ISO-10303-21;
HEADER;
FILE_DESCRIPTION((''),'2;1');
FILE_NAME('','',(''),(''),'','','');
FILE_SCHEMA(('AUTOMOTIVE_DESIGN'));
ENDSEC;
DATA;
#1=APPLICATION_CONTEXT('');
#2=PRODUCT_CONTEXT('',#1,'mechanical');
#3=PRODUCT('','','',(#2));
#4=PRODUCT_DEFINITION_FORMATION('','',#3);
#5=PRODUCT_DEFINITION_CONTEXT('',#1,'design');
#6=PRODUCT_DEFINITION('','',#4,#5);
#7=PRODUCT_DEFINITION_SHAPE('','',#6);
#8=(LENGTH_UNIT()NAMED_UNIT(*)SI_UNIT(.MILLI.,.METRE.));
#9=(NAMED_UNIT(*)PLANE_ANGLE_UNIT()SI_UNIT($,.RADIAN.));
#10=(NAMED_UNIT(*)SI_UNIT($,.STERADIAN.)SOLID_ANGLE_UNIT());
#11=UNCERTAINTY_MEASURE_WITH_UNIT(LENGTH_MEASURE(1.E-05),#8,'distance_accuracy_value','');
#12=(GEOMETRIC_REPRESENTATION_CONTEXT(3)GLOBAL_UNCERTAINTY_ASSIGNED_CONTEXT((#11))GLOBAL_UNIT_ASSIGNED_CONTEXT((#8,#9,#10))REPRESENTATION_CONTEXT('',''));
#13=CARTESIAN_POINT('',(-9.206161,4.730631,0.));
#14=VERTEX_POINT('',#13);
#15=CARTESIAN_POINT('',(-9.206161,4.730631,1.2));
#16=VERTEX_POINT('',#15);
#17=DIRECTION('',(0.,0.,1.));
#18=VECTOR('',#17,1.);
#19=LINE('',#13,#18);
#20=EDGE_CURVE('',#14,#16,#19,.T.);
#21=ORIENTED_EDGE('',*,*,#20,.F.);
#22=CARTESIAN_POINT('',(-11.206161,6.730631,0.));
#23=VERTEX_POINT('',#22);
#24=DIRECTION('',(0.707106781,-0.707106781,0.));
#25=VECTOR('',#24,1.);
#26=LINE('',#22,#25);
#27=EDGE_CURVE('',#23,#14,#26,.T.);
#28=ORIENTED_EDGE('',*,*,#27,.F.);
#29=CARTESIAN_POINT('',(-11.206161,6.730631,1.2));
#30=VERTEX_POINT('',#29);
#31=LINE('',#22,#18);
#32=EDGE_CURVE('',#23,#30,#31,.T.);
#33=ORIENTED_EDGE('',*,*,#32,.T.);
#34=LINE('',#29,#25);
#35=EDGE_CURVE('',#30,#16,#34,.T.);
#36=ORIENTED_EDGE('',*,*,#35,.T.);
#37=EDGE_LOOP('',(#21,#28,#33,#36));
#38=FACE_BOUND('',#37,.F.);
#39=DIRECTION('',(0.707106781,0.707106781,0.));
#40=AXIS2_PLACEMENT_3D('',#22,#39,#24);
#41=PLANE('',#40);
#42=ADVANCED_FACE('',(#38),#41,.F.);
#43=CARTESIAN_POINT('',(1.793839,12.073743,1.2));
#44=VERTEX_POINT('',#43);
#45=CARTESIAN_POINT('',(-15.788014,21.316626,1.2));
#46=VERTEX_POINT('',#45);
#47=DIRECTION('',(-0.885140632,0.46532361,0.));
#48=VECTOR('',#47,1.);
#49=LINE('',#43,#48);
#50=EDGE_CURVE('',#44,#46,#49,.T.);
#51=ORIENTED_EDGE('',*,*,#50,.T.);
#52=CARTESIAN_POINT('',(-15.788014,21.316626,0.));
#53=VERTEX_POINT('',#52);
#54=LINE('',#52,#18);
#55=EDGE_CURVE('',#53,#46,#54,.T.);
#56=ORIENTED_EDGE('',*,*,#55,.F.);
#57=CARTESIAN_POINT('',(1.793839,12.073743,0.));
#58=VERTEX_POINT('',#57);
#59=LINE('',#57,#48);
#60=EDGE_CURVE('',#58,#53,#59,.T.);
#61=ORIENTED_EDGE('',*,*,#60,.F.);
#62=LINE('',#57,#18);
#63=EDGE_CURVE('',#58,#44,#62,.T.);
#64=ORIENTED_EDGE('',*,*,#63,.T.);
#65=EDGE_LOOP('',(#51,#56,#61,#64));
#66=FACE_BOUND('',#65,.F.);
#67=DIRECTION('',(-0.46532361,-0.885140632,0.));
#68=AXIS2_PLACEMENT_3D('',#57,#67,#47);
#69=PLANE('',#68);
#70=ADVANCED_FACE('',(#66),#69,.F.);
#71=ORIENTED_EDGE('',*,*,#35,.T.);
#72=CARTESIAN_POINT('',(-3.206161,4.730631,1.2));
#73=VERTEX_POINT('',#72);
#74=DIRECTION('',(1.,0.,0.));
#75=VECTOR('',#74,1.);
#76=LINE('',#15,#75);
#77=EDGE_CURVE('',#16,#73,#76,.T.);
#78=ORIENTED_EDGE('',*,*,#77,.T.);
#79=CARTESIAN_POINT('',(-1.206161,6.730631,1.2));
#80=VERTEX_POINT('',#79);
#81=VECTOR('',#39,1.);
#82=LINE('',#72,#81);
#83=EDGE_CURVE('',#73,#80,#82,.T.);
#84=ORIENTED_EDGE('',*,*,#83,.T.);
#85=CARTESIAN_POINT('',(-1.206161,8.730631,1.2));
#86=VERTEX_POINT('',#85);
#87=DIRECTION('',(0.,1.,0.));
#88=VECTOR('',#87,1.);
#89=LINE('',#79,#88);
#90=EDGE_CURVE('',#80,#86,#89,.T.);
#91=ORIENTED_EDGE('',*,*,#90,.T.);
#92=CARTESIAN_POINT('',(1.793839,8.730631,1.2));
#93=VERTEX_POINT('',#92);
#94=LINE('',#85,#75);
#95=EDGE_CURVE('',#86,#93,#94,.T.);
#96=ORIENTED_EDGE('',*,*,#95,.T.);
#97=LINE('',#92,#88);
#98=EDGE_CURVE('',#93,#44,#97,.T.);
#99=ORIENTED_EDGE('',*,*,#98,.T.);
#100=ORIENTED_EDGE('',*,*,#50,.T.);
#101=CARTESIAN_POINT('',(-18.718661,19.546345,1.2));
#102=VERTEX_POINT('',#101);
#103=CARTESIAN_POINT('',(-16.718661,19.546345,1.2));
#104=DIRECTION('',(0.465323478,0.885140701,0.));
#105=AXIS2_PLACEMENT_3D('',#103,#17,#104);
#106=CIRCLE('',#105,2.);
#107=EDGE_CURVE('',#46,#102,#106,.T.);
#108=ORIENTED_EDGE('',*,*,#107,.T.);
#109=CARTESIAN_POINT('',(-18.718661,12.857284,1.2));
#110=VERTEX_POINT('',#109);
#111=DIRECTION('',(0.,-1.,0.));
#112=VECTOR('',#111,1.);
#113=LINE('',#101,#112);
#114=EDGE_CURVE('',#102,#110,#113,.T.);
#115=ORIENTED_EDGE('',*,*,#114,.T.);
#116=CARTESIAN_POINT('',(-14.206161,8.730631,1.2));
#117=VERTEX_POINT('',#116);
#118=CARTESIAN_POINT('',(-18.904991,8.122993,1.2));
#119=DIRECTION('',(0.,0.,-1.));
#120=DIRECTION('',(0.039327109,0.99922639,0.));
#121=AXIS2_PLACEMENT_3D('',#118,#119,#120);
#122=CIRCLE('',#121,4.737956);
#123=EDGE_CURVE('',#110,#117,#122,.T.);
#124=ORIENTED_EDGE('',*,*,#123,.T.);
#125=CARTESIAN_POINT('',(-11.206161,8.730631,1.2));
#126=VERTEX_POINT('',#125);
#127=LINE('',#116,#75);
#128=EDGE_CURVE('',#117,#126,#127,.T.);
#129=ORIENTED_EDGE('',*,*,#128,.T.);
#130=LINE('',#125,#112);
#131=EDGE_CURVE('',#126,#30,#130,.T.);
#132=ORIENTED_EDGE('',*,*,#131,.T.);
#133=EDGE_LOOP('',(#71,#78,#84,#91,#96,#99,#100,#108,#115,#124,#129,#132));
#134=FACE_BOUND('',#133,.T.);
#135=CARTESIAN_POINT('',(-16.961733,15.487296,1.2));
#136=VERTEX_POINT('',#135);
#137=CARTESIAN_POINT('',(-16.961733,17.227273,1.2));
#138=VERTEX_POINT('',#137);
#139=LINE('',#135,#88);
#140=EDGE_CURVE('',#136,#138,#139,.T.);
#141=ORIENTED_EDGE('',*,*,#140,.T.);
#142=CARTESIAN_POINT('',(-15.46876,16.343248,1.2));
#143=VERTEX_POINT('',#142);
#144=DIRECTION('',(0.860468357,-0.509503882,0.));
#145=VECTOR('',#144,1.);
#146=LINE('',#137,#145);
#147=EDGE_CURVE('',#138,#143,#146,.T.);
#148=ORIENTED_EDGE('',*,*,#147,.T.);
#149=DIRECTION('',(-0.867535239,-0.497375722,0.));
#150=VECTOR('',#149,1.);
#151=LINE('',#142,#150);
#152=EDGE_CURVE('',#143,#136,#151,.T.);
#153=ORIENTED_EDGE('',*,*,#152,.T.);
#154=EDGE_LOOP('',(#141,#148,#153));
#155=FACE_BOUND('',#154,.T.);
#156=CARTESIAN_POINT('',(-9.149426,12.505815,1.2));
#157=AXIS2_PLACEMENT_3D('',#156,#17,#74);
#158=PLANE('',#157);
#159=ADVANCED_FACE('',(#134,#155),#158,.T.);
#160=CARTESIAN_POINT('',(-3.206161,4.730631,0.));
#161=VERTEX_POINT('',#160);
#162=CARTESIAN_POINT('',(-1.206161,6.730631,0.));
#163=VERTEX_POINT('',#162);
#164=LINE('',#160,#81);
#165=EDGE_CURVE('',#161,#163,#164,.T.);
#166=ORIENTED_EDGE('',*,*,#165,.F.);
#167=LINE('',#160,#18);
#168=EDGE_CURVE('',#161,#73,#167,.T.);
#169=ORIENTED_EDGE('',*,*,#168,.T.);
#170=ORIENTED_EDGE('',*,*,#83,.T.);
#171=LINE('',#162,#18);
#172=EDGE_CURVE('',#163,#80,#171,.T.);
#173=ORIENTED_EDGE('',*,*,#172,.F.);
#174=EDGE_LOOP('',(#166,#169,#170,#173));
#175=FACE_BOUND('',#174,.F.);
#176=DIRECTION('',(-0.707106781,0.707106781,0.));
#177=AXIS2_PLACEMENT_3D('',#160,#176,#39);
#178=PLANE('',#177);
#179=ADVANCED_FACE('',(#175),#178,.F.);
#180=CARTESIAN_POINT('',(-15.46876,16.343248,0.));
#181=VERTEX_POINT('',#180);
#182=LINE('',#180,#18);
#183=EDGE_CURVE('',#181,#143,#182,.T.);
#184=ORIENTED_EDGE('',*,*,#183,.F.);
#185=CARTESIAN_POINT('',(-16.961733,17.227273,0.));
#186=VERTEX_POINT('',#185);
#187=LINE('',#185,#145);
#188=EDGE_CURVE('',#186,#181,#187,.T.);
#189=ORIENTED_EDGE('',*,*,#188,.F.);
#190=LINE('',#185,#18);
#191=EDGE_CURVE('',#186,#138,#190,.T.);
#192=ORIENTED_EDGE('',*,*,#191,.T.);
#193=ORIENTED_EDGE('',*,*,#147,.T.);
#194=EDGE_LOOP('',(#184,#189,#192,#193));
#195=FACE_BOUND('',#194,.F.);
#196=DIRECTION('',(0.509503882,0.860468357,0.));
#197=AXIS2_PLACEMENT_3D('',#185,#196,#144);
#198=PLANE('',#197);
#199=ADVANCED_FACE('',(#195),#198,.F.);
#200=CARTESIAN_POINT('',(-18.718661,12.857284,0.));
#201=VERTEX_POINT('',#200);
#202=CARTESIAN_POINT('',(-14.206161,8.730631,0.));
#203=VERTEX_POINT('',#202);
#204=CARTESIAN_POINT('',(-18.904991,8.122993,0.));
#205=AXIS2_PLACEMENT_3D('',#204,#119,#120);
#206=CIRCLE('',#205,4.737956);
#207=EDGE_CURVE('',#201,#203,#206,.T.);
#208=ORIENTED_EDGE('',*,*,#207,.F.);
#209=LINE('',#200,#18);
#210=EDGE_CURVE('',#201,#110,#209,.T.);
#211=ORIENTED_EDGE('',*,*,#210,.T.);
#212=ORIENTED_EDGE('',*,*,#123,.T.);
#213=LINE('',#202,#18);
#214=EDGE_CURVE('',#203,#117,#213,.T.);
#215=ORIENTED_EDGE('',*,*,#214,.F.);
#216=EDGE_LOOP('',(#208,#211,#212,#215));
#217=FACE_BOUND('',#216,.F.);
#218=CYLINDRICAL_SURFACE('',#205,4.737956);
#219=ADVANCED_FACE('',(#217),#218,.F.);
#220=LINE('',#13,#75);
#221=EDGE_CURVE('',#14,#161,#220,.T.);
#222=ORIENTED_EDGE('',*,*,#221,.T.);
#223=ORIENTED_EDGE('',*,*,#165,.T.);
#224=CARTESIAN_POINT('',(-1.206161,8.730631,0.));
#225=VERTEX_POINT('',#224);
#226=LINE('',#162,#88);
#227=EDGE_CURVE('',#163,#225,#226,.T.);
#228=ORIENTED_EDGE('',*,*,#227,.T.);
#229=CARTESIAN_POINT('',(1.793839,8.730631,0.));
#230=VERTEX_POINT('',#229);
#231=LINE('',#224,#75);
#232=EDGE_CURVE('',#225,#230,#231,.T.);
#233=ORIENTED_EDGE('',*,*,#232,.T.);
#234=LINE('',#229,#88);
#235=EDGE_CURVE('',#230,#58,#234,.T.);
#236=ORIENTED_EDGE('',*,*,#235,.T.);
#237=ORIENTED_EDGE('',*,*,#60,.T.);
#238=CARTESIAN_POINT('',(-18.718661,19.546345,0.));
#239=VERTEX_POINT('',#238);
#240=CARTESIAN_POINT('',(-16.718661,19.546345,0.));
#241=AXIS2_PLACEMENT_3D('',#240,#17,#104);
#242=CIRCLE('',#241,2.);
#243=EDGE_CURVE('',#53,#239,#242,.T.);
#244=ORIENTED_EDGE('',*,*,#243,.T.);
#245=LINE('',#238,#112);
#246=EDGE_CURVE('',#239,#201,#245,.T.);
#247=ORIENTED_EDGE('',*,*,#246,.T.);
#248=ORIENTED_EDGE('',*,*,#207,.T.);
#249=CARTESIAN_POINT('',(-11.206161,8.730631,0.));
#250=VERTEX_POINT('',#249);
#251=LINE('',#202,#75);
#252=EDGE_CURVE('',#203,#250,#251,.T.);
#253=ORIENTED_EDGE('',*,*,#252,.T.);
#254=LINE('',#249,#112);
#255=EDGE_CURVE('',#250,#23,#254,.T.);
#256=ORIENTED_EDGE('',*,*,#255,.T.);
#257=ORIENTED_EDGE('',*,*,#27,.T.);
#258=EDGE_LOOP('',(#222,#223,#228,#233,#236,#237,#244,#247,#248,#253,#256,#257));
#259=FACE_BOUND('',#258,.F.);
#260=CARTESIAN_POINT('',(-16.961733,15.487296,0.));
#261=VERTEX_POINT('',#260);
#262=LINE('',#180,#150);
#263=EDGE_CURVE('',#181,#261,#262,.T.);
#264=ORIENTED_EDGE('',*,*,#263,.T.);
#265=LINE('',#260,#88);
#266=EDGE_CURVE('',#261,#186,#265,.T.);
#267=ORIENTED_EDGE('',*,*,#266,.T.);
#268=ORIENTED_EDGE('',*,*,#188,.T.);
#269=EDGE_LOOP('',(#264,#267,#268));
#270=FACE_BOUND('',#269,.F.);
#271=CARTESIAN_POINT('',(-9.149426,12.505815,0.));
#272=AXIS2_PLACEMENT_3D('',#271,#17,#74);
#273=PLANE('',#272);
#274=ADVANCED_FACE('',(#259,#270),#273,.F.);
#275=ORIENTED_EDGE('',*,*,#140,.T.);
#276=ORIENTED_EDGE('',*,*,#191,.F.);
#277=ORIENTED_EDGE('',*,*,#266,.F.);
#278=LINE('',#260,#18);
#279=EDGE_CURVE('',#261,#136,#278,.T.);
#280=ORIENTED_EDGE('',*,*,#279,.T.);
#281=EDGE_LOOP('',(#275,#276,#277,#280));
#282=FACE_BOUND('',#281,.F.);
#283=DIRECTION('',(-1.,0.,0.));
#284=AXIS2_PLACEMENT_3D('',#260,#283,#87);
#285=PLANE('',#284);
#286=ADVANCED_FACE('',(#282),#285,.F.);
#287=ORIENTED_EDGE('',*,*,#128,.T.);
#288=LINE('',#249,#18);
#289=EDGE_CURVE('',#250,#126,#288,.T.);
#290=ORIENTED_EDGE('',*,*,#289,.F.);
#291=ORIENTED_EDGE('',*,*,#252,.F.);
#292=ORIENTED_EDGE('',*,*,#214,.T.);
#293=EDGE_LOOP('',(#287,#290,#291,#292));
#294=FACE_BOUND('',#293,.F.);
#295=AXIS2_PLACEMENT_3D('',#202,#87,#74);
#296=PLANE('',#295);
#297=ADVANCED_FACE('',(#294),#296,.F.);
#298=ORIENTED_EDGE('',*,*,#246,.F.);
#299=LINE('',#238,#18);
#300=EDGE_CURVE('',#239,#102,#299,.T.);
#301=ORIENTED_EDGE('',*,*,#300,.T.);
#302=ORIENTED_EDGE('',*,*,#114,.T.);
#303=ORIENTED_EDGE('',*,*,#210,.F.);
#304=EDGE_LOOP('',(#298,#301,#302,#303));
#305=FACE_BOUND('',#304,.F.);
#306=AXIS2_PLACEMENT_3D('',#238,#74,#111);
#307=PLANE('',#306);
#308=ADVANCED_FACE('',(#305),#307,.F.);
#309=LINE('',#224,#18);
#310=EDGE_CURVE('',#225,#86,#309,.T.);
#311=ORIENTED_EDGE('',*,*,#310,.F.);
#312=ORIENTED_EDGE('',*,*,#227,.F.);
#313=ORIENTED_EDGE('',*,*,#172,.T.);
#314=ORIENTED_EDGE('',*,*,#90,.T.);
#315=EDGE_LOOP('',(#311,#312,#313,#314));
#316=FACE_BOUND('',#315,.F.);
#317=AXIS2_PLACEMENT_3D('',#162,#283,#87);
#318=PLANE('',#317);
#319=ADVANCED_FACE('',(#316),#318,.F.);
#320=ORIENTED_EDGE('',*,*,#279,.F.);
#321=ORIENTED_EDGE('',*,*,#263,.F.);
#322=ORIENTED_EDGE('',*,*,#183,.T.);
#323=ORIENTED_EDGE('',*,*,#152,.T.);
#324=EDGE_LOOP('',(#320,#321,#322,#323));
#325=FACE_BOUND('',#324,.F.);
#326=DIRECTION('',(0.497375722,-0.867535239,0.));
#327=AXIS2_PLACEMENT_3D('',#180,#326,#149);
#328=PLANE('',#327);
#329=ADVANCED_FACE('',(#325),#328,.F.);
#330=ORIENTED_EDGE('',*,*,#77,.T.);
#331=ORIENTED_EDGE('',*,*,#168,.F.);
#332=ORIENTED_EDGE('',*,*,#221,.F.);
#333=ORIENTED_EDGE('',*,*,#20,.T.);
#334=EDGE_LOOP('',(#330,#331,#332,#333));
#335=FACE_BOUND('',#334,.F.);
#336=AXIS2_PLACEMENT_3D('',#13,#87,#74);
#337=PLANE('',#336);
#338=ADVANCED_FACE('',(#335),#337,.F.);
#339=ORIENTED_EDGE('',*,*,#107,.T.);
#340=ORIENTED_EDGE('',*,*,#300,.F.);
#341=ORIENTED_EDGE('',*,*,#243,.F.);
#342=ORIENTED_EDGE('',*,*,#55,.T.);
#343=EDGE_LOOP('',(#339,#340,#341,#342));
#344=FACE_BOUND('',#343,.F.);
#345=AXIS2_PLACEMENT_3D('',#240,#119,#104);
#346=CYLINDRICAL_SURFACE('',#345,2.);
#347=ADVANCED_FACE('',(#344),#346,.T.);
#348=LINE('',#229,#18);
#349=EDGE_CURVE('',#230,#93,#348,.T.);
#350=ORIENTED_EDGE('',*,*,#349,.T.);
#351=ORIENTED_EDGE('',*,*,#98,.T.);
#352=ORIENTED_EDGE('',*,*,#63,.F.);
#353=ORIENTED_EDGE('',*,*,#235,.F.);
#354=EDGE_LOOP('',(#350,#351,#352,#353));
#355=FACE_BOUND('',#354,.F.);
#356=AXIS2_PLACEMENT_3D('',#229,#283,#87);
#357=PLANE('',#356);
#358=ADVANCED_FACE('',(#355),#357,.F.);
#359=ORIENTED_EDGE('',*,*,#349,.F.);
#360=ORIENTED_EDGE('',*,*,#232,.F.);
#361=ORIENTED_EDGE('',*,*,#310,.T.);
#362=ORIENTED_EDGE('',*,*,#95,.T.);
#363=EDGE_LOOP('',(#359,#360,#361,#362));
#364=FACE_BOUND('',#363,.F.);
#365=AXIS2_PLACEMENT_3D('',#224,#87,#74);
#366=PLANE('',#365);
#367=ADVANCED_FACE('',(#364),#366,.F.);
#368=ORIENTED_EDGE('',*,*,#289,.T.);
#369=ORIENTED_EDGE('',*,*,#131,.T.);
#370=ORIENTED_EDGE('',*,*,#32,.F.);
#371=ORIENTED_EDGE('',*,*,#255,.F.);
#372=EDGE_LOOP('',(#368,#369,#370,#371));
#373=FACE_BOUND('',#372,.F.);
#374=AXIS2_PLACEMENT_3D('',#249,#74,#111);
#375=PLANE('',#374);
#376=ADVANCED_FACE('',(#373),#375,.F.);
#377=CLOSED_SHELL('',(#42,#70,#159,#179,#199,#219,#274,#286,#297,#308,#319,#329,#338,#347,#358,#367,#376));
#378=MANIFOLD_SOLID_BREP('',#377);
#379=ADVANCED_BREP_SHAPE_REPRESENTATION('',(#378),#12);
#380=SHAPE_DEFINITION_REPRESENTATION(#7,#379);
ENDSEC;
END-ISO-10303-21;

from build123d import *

# Parameters (mm, degrees)
F1_DEPTH = 1.2


with BuildPart() as f1:
    # F0 (on Top) → F1 (new body)
    with BuildSketch(Plane.XY):
        with BuildLine():
            ThreePointArc((-18.718661, 12.857284), (-15.707568, 11.619379), (-14.206161, 8.730631))
            Line((-14.206161, 8.730631), (-11.206161, 8.730631))
            Line((-11.206161, 8.730631), (-11.206161, 6.730631))
            Line((-11.206161, 6.730631), (-9.206161, 4.730631))
            Line((-9.206161, 4.730631), (-3.206161, 4.730631))
            Line((-3.206161, 4.730631), (-1.206161, 6.730631))
            Line((-1.206161, 6.730631), (-1.206161, 8.730631))
            Line((-1.206161, 8.730631), (1.793839, 8.730631))
            Line((1.793839, 8.730631), (1.793839, 12.073743))
            Line((1.793839, 12.073743), (-15.788014, 21.316626))
            ThreePointArc((-15.788014, 21.316626), (-17.752756, 21.258258), (-18.718661, 19.546345))
            Line((-18.718661, 19.546345), (-18.718661, 12.857284))
        make_face()
        Polygon((-16.961733, 15.487296), (-16.961733, 17.227273), (-15.46876, 16.343248), align=None, mode=Mode.SUBTRACT)
    extrude(amount=F1_DEPTH)


solid = f1.part
